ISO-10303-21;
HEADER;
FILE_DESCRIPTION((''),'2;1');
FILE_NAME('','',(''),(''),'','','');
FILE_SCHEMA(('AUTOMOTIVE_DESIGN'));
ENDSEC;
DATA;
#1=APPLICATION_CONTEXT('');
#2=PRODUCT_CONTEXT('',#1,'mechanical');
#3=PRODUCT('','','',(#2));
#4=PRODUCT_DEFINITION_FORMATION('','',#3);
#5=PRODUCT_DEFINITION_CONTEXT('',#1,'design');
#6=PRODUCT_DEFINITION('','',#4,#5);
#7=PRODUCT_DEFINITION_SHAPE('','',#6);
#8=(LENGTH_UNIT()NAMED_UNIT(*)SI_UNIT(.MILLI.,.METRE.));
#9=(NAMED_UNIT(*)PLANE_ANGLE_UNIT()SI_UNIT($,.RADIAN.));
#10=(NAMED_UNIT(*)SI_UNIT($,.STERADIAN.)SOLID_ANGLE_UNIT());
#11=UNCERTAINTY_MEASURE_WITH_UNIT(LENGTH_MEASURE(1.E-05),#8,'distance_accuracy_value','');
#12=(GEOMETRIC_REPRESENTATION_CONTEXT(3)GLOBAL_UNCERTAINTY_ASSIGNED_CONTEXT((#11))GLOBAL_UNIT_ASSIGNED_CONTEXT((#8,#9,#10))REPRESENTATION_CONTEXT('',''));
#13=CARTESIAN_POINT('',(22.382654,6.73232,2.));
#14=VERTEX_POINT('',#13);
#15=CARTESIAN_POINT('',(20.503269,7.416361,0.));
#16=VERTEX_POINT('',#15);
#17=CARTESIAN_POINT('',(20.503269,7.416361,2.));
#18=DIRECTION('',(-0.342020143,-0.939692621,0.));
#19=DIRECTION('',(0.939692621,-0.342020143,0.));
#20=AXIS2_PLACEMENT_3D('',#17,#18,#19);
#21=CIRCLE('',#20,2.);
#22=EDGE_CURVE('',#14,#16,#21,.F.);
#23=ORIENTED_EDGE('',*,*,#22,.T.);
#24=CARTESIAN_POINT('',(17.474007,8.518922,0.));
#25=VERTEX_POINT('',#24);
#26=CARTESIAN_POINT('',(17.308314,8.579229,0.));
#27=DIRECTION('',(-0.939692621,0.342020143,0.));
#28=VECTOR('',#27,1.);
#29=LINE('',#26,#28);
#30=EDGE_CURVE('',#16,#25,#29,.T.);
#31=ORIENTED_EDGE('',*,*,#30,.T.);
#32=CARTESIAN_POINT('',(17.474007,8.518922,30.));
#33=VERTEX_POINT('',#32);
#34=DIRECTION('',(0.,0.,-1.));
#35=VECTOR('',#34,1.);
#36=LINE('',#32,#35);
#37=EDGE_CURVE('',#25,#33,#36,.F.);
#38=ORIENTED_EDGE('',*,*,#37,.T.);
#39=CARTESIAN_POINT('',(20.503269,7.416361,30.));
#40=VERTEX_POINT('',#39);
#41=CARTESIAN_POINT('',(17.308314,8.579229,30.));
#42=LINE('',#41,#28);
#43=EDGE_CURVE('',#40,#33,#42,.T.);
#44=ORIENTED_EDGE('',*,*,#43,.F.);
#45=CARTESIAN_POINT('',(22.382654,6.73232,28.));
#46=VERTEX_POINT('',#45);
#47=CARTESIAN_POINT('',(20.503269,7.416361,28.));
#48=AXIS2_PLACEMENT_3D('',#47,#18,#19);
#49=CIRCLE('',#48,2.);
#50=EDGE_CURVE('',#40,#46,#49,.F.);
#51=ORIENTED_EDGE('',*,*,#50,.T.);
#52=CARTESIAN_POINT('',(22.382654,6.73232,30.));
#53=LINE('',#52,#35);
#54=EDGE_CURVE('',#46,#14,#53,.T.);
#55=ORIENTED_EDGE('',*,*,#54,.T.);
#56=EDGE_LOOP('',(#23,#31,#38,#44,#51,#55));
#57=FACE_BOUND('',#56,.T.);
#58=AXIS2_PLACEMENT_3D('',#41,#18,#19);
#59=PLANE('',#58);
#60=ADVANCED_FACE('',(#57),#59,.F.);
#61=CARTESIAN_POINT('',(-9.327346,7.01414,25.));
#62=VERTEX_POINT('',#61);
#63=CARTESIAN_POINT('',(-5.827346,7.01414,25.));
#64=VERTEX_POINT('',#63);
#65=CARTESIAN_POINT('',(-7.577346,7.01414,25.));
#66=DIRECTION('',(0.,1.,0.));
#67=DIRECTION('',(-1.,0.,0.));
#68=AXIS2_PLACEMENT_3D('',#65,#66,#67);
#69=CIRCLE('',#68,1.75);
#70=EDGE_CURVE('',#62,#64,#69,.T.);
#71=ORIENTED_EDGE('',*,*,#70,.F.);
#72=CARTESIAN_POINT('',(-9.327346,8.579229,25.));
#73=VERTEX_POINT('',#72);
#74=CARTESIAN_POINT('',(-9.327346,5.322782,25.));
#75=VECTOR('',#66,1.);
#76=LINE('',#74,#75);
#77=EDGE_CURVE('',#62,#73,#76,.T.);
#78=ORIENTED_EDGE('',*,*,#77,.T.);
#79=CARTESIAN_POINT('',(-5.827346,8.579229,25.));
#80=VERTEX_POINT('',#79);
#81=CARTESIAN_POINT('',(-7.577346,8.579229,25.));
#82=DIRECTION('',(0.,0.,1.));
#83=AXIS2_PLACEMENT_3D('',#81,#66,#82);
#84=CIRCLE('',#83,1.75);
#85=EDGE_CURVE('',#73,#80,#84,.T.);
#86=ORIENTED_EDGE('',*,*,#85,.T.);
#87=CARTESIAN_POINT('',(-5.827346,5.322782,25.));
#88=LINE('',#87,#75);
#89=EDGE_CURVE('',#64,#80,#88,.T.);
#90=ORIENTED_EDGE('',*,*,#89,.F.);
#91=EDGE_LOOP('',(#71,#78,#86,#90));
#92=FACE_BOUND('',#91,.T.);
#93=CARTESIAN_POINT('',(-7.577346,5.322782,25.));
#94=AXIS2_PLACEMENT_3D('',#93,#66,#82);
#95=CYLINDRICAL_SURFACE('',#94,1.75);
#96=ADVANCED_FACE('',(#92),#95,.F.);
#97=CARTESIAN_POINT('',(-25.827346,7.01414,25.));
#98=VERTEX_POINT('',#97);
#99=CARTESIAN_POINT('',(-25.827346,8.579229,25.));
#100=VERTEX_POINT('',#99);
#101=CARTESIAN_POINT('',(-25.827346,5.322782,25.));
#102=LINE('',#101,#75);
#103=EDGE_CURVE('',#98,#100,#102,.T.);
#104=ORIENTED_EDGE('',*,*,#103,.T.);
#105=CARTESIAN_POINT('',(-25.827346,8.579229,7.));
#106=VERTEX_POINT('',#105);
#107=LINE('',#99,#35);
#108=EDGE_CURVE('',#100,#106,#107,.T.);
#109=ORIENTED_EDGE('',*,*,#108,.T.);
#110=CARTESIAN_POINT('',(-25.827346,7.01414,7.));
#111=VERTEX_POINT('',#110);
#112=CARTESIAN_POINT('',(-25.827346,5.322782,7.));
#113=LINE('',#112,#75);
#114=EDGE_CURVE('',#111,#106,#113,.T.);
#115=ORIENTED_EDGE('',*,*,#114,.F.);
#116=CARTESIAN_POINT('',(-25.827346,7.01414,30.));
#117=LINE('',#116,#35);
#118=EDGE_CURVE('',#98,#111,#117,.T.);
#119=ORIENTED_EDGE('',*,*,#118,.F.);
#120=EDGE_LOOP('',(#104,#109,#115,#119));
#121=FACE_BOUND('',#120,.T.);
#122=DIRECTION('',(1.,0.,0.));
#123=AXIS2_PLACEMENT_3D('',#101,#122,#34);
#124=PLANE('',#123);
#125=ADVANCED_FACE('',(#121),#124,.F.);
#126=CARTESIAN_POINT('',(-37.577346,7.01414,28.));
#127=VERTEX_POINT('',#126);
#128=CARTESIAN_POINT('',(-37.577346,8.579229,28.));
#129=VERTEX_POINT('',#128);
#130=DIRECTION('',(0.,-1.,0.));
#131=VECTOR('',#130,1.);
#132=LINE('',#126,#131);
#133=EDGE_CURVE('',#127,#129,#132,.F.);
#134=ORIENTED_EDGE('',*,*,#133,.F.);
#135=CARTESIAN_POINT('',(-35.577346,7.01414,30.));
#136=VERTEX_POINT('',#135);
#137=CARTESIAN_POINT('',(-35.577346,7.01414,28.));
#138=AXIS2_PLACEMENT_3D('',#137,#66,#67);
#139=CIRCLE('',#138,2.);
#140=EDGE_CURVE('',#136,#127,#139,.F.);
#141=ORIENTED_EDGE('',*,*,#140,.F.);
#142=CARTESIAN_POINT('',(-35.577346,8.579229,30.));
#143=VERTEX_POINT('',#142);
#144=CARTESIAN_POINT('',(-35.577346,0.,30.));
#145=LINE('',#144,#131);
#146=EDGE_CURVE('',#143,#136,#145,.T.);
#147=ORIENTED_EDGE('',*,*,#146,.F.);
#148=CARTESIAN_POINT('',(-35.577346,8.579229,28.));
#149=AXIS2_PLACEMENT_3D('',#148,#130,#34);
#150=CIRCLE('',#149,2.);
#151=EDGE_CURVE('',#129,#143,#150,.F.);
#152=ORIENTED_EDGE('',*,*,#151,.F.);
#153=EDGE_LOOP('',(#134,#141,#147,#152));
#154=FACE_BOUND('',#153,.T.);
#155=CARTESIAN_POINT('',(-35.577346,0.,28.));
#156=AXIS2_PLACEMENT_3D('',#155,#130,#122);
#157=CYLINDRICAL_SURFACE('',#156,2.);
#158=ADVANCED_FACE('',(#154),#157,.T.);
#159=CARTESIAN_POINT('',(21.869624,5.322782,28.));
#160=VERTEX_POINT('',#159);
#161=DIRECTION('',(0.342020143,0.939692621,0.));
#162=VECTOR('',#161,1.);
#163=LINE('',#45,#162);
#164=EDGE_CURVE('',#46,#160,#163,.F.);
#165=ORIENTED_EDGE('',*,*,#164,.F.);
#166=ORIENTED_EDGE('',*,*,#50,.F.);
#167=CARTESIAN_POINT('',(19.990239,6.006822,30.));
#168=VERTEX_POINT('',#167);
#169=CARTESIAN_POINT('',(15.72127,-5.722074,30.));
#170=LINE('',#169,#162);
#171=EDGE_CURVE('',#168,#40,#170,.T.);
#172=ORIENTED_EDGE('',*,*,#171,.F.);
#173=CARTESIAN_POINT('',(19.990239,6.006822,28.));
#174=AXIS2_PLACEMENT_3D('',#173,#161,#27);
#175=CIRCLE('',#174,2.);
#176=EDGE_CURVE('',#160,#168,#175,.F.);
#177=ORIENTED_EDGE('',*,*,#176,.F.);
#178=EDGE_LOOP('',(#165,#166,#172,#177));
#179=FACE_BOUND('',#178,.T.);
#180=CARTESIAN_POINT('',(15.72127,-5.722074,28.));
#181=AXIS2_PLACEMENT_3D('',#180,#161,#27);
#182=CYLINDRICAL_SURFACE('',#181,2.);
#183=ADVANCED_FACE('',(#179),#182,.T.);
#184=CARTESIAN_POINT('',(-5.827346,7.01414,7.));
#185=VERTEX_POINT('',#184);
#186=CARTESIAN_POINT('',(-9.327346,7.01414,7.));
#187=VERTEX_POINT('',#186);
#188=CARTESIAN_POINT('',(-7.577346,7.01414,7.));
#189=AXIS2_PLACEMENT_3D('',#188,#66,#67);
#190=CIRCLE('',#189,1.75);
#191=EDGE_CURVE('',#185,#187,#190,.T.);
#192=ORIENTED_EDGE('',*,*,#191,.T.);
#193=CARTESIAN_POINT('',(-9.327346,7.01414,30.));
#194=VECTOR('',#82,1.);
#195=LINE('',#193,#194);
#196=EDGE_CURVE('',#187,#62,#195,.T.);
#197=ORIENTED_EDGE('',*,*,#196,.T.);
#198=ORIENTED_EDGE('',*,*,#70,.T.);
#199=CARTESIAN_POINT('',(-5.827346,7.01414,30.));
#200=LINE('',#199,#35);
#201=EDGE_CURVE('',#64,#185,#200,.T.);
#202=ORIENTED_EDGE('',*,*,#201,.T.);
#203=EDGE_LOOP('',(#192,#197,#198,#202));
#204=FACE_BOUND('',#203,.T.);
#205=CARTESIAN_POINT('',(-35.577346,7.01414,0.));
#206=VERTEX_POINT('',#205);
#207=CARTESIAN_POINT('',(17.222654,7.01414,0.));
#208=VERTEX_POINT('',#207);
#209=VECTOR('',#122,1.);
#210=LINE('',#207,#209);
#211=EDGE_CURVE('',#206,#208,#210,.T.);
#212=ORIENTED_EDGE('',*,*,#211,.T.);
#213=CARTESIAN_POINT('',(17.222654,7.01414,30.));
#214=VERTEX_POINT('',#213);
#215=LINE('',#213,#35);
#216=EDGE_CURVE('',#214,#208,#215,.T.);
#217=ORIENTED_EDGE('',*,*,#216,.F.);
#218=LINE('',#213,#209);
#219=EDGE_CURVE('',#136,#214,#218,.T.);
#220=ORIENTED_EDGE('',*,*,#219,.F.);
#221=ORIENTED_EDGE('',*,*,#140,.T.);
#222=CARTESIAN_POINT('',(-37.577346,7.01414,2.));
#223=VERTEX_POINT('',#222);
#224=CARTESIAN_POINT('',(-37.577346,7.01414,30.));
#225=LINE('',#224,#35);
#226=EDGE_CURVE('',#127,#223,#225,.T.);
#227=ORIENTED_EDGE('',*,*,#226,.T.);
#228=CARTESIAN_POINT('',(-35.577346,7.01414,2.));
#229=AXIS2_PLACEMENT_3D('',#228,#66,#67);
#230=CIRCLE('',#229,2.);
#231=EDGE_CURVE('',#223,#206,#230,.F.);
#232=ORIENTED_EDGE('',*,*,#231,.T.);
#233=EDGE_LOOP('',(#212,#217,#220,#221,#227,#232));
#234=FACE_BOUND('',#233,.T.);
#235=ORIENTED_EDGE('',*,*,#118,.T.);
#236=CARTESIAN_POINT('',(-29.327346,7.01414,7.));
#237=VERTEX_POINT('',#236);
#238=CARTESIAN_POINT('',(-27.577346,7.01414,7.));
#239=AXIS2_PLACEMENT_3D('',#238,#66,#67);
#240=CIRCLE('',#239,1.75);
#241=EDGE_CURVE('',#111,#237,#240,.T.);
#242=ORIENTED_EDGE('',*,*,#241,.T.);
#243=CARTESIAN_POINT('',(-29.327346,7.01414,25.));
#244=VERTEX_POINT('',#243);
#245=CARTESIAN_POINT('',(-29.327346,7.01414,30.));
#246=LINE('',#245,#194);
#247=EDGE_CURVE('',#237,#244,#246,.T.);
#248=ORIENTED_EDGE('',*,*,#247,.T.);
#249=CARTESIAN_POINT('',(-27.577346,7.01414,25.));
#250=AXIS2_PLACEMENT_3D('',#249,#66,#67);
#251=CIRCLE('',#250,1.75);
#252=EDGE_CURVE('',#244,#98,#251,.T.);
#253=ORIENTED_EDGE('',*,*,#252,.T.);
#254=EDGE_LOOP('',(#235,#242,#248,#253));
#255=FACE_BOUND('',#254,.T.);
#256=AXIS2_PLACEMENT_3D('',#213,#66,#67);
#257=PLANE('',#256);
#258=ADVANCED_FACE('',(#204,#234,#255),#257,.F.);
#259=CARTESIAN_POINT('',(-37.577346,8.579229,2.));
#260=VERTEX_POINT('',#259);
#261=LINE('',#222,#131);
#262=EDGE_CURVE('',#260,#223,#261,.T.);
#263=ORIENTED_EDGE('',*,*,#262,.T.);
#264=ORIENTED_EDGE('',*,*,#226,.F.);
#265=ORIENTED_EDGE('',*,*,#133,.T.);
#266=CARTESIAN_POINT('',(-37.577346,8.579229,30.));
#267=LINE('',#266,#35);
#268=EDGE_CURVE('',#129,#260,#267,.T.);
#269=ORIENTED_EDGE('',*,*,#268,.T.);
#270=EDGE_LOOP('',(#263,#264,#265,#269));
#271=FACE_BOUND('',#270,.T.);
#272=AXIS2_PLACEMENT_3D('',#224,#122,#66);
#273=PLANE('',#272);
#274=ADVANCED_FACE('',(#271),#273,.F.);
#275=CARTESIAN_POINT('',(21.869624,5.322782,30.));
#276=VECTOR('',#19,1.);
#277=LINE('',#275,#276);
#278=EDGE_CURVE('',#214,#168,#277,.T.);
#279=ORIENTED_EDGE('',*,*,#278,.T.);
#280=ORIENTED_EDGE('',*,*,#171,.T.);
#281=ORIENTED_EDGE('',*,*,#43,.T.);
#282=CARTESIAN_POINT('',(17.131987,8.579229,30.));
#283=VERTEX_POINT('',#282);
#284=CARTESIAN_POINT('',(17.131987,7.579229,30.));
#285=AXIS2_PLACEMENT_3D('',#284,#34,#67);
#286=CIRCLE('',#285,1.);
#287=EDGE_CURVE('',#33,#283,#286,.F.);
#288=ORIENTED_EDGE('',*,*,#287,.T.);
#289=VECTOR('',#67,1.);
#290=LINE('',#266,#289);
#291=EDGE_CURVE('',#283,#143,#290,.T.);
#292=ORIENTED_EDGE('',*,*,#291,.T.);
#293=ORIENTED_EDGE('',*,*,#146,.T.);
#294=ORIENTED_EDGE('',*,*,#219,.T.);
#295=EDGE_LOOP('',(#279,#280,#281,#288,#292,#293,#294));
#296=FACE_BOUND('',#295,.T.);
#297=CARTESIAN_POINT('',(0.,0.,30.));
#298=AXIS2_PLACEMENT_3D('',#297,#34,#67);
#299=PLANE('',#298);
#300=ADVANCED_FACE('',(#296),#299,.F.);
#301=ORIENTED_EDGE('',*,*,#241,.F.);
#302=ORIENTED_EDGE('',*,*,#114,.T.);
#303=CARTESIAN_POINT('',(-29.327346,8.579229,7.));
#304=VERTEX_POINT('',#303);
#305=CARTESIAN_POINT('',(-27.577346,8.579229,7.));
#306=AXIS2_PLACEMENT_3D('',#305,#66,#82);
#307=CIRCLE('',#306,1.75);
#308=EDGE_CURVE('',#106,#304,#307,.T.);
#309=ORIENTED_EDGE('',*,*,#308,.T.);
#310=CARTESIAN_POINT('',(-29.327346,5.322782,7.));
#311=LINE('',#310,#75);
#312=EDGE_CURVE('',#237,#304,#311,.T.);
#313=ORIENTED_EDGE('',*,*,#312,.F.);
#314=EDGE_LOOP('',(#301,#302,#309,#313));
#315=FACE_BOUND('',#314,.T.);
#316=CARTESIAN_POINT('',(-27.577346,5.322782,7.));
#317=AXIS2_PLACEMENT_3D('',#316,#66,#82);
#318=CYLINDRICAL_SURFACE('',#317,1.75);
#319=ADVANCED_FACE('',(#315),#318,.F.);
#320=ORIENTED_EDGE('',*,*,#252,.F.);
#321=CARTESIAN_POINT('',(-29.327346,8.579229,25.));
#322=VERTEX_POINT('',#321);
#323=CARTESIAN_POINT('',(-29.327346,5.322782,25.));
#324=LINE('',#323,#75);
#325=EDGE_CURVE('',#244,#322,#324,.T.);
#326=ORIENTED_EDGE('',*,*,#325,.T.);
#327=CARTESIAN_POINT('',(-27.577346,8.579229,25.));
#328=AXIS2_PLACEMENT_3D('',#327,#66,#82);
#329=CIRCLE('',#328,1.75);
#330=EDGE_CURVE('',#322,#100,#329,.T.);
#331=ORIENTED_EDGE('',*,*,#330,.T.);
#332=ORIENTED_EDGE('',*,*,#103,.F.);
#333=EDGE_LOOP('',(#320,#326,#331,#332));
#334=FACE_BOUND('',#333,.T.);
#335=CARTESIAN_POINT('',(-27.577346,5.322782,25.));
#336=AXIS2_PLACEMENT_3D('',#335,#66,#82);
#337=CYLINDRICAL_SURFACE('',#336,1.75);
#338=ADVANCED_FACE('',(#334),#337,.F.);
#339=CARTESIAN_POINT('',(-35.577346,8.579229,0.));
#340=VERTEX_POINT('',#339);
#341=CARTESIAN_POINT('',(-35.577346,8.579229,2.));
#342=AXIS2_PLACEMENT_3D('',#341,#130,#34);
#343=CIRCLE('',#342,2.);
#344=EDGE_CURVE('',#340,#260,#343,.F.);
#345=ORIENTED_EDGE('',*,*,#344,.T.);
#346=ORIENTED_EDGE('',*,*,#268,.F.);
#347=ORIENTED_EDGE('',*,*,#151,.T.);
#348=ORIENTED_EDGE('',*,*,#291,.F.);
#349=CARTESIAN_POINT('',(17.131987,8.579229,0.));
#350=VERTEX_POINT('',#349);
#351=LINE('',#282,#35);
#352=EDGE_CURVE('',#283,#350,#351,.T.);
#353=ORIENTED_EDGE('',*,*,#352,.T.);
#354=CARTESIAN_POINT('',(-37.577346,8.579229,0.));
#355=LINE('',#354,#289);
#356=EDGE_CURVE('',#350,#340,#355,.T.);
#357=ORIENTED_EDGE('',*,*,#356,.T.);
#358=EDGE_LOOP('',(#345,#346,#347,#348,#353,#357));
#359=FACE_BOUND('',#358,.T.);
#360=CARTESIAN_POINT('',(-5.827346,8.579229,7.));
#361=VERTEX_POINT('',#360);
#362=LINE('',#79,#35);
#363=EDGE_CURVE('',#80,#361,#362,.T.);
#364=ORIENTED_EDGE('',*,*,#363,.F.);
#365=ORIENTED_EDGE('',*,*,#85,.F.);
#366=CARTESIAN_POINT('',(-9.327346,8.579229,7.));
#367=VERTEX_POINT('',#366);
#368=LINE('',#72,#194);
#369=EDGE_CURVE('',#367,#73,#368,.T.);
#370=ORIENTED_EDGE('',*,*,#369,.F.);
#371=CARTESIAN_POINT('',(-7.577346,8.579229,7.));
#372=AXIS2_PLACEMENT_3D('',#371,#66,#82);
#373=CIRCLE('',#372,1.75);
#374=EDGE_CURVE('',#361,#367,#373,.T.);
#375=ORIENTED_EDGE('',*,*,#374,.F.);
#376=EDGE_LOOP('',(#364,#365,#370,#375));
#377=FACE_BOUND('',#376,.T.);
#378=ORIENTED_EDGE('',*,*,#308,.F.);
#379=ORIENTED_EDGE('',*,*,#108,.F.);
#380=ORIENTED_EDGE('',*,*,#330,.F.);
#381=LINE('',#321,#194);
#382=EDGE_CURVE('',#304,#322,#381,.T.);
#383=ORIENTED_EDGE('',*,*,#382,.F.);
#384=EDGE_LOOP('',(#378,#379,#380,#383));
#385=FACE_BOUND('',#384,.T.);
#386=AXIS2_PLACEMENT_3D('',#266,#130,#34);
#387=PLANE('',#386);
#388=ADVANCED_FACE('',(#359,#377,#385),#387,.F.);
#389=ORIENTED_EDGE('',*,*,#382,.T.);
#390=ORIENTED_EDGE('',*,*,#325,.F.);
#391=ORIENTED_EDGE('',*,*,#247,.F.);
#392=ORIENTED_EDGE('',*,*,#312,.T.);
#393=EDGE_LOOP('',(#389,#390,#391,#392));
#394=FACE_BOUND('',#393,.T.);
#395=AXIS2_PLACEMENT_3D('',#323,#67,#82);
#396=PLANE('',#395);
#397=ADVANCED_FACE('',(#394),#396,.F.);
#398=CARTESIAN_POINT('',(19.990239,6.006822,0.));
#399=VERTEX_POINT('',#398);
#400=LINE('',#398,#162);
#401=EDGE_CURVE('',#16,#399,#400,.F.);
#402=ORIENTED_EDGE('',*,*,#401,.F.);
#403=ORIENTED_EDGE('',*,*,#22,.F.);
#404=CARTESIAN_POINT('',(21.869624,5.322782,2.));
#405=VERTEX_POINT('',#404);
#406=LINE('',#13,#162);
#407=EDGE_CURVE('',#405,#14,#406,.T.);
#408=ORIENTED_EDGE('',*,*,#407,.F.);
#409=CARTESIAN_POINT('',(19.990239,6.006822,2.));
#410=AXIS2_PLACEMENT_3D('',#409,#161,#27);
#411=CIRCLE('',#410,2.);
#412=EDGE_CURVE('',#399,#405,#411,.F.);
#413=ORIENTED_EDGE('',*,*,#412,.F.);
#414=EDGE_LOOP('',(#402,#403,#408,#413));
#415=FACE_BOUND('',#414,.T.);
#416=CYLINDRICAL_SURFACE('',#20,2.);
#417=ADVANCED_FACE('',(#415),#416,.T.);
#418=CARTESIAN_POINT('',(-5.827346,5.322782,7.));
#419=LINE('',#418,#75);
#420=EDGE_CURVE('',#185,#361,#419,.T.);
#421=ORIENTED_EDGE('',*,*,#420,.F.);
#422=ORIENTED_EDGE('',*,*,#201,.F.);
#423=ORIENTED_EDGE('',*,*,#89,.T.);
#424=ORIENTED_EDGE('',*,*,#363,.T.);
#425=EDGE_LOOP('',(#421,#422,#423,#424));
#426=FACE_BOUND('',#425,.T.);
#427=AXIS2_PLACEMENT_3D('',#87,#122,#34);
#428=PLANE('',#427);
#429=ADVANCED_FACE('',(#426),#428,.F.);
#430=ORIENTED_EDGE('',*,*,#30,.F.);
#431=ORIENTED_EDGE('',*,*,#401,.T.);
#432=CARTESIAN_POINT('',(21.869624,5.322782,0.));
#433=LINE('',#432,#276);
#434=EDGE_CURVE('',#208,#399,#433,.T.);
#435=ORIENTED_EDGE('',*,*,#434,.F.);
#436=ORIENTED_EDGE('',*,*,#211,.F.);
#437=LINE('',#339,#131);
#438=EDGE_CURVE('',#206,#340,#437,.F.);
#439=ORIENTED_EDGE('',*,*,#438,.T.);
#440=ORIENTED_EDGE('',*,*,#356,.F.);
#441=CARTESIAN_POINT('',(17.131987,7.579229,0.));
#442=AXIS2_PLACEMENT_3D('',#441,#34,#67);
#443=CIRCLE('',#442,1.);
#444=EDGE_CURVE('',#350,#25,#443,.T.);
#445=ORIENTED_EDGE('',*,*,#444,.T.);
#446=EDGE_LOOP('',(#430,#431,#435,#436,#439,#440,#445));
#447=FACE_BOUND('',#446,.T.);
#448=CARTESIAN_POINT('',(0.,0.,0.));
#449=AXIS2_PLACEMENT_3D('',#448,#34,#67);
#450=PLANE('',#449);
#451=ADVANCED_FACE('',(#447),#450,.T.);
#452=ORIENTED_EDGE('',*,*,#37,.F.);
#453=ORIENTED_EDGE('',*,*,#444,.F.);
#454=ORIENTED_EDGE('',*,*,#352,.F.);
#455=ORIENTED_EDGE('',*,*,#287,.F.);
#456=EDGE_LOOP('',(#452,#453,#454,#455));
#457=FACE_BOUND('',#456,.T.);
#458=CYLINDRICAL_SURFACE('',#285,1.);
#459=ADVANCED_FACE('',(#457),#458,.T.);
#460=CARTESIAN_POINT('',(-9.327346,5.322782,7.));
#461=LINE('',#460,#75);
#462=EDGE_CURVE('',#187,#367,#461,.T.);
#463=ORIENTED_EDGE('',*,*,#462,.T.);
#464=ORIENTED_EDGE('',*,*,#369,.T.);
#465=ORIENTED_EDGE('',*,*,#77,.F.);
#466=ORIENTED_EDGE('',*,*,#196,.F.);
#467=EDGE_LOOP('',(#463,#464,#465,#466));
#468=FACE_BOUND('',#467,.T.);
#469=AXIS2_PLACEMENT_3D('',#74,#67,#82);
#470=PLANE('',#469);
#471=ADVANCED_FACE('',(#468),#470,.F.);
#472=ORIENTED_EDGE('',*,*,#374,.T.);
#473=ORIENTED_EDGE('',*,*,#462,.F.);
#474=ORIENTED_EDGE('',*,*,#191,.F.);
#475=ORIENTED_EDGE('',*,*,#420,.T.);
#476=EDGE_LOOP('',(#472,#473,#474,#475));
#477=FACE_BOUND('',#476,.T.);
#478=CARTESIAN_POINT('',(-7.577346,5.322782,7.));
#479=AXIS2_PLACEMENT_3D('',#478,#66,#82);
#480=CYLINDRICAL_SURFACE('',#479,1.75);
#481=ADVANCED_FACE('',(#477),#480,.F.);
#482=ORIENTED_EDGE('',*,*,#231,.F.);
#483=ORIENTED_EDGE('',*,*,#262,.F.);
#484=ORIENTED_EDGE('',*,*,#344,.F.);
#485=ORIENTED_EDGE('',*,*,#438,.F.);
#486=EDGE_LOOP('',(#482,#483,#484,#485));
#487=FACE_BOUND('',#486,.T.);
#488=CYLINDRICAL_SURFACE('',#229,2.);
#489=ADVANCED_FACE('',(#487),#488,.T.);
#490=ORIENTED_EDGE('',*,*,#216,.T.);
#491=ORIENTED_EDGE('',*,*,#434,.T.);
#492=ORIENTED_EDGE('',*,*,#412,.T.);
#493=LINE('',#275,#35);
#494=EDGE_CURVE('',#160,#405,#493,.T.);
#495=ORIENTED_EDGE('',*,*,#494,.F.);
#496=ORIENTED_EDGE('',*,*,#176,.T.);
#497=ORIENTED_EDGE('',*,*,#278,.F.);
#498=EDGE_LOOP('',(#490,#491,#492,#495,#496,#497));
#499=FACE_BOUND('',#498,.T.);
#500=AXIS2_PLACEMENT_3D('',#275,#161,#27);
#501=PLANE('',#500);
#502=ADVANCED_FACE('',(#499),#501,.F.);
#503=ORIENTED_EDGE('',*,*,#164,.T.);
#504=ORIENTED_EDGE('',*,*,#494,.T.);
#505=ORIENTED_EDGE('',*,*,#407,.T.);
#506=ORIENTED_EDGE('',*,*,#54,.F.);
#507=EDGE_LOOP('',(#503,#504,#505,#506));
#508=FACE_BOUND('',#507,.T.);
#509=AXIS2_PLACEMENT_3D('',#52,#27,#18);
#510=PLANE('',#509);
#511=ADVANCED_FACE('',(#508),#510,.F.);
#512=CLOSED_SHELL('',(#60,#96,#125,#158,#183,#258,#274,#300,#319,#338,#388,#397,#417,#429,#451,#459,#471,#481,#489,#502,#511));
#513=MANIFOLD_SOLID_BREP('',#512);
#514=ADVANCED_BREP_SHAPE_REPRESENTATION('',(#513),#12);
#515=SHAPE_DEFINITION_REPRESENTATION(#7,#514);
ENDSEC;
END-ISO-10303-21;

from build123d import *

# Parameters (mm, degrees)
BOSS_EXTRUDE1_DEPTH = 30
FILLET1_R           = 1
FILLET2_R           = 2
CUT_EXTRUDE1_DEPTH  = 4.256447705


with BuildPart() as part:
    # Sketch1 → Boss-Extrude1 (new body)
    with BuildSketch(Plane.XY):
        Polygon((-37.577345781, 8.579229267), (17.308314067, 8.579229267), (22.382654219, 6.732320493), (21.869624004, 5.322781562), (17.222654219, 7.014140243), (-37.577345781, 7.014140243), align=None)
    extrude(amount=BOSS_EXTRUDE1_DEPTH)

    # Fillet1
    fillet1_edges = [part.edges().sort_by_distance(p)[0] for p in [
        (17.308314067, 8.579229267, 15),
    ]]
    fillet(fillet1_edges, radius=FILLET1_R)

    # Fillet2
    fillet2_edges = [part.edges().sort_by_distance(p)[0] for p in [
        (22.126139112, 6.027551028, 30),
        (-37.577345781, 7.796684755, 30),
        (22.126139112, 6.027551028, 0),
        (-37.577345781, 7.796684755, 0),
    ]]
    fillet(fillet2_edges, radius=FILLET2_R)

    # Sketch3 → Cut-Extrude1 (cut, through all)
    with BuildSketch(Plane(origin=(0, 8.579229267, 0), x_dir=(1, 0, 0), z_dir=(0, 1, 0))):
        with BuildLine():
            Line((-25.827345781, -25), (-25.827345781, -7))
            ThreePointArc((-25.827345781, -7), (-27.577345781, -5.25), (-29.327345781, -7))
            Line((-29.327345781, -7), (-29.327345781, -25))
            ThreePointArc((-29.327345781, -25), (-27.577345781, -26.75), (-25.827345781, -25))
        make_face()
        with BuildLine():
            Line((-5.827345781, -25), (-5.827345781, -7))
            ThreePointArc((-5.827345781, -7), (-7.577345781, -5.25), (-9.327345781, -7))
            Line((-9.327345781, -7), (-9.327345781, -25))
            ThreePointArc((-9.327345781, -25), (-7.577345781, -26.75), (-5.827345781, -25))
        make_face()
    extrude(amount=-CUT_EXTRUDE1_DEPTH, mode=Mode.SUBTRACT)


solid = part.part
